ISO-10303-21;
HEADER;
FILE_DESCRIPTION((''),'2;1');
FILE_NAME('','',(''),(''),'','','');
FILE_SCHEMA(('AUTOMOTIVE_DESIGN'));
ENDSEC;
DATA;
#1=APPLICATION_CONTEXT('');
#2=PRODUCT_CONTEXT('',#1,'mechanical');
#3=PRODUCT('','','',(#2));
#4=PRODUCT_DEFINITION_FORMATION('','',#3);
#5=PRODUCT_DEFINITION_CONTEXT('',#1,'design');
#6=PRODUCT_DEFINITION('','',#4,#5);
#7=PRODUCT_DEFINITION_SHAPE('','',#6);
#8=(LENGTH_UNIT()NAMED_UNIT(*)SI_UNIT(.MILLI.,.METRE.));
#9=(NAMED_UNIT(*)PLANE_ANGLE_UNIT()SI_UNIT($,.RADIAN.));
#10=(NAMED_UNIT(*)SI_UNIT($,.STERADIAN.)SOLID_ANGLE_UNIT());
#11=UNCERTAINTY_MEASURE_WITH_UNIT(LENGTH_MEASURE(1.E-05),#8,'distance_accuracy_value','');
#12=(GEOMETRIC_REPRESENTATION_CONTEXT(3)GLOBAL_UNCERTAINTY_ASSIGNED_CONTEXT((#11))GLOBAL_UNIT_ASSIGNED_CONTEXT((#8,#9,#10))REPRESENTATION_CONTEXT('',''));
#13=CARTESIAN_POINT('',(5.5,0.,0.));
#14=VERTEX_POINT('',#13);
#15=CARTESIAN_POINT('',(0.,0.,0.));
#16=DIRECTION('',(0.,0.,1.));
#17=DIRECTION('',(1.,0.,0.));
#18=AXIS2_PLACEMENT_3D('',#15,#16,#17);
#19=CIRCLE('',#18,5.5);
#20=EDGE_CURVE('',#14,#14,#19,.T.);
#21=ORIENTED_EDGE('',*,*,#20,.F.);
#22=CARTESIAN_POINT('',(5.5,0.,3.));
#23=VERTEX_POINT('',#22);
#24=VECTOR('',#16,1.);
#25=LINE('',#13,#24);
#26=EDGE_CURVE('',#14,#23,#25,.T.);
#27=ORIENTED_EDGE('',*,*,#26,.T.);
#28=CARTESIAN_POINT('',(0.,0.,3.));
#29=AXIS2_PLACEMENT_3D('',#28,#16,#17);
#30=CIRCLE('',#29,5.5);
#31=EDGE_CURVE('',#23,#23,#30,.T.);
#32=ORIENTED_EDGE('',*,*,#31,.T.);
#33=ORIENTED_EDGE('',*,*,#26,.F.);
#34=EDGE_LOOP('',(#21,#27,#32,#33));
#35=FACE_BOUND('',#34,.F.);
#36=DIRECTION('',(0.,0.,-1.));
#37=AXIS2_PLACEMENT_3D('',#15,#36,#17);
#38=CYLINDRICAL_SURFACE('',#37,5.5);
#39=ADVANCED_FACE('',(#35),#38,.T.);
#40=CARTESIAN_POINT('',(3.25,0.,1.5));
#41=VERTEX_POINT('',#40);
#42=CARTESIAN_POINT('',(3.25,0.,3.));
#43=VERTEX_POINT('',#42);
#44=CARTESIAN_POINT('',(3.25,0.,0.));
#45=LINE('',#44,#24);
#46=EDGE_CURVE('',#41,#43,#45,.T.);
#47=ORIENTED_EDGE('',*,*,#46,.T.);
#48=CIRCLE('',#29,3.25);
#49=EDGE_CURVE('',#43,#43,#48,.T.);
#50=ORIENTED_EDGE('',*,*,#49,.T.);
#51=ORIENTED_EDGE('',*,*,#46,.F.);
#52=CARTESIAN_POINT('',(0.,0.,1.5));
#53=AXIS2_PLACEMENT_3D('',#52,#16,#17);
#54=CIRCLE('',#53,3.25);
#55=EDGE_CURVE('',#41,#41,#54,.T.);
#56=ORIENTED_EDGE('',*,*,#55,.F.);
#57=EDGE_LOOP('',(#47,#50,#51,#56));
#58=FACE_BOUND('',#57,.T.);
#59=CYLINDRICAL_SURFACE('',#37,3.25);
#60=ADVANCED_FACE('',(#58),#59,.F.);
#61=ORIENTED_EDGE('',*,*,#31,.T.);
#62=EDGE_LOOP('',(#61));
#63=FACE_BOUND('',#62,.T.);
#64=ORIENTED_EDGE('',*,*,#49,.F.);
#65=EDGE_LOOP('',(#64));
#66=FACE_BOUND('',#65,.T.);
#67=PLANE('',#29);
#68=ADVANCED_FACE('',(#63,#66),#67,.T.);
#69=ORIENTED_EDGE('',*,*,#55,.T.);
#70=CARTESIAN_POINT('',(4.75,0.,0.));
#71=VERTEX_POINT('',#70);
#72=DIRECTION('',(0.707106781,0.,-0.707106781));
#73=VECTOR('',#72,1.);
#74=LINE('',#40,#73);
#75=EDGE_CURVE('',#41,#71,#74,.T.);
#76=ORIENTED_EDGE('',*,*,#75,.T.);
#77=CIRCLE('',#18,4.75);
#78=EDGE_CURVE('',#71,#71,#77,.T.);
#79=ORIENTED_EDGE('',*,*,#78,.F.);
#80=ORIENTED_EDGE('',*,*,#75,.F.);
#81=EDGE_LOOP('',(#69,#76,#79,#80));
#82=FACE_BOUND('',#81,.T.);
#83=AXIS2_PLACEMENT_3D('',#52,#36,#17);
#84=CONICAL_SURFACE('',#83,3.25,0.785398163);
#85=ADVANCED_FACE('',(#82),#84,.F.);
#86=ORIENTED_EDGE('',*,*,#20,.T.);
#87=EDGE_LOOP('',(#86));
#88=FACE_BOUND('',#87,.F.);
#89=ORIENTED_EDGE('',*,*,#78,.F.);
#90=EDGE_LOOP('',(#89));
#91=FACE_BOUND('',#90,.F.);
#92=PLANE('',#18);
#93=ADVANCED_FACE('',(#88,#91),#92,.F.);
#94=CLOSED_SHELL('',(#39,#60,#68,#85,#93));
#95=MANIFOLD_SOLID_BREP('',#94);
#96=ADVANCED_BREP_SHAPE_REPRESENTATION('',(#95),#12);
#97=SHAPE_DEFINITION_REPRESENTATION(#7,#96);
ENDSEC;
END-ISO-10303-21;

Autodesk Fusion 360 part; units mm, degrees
sketch "Sketch1" plane through (0, 0, 0) normal (0, 0, 1) x (1, 0, 0)
  circle A0 centre (0, 0) radius 5.5
  circle A1 centre (0, 0) radius 3.25
  dimension "d1" = 11
  dimension "d2" = 6.5
extrude "Extrude1" add sketch "Sketch1" along normal blind 3
chamfer "Chamfer1" distance 1.5 angle 45 1 edges at (-3.0301, 1.1753, 0)
